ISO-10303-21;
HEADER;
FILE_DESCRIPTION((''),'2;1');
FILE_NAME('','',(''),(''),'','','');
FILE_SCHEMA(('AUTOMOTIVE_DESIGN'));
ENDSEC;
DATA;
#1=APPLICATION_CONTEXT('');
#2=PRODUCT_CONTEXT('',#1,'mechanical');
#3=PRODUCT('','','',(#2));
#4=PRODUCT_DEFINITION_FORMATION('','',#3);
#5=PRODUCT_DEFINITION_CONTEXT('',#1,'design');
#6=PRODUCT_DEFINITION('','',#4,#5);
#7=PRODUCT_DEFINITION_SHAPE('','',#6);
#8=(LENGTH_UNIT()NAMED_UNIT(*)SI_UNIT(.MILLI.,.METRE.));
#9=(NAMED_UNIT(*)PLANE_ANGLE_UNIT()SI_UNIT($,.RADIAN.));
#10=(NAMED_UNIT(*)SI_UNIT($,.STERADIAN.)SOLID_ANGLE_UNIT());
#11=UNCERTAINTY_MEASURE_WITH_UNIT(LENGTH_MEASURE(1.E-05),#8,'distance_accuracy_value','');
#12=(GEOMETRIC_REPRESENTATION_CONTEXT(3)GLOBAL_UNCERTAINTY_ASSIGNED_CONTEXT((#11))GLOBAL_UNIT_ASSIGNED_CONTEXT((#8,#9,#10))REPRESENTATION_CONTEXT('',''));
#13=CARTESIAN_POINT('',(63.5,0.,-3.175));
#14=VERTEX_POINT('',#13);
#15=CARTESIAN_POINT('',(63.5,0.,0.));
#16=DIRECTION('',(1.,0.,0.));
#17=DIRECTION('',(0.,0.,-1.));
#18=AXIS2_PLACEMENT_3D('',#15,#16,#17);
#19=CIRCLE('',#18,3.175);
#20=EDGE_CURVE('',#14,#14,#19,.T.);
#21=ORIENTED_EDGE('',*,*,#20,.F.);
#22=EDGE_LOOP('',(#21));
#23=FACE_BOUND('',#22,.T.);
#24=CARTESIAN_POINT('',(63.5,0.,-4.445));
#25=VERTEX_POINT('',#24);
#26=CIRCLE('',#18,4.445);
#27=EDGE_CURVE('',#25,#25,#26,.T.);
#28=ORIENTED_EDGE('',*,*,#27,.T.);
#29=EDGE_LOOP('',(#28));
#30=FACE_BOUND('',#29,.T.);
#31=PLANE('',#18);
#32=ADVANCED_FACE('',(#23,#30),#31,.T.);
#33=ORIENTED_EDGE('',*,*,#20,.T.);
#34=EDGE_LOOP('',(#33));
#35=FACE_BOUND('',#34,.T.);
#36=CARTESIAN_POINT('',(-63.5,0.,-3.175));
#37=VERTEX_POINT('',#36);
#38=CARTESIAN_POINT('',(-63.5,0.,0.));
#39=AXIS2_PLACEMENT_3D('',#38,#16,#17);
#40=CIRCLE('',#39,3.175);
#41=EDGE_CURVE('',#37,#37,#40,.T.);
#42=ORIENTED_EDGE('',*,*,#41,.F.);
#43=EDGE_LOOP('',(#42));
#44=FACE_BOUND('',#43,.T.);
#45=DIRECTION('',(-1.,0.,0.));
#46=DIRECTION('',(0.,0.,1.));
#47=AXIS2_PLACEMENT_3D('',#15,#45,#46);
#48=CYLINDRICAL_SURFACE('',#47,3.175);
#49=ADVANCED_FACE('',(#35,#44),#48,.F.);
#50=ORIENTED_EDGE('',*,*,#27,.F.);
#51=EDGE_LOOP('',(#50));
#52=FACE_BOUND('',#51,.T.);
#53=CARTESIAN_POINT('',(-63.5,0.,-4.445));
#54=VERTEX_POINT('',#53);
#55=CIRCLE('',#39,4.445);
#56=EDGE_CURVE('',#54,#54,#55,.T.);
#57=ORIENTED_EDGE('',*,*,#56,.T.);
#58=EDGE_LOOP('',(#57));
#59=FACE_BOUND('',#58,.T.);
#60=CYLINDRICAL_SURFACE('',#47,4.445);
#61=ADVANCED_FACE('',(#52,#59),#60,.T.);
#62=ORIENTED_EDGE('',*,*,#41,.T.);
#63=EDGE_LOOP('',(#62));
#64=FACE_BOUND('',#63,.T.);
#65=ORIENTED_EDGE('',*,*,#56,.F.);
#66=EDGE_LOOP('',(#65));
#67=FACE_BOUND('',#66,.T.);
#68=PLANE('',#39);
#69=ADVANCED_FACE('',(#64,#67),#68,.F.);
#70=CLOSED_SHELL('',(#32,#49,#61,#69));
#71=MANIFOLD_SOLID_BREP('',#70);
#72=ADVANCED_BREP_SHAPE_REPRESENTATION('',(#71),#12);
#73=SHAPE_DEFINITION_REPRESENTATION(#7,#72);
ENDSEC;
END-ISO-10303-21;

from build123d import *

# Parameters (mm, degrees)
SKETCH1_R           = 4.445
SKETCH1_R_2         = 3.175
BOSS_EXTRUDE1_DEPTH = 63.5


with BuildPart() as part:
    # Sketch1 → Boss-Extrude1 (new, symmetric)
    with BuildSketch(Plane(origin=(0, 0, 0), x_dir=(0, 0, -1), z_dir=(1, 0, 0))):
        Circle(SKETCH1_R)
        Circle(SKETCH1_R_2, mode=Mode.SUBTRACT)
    extrude(amount=BOSS_EXTRUDE1_DEPTH, both=True)


solid = part.part
